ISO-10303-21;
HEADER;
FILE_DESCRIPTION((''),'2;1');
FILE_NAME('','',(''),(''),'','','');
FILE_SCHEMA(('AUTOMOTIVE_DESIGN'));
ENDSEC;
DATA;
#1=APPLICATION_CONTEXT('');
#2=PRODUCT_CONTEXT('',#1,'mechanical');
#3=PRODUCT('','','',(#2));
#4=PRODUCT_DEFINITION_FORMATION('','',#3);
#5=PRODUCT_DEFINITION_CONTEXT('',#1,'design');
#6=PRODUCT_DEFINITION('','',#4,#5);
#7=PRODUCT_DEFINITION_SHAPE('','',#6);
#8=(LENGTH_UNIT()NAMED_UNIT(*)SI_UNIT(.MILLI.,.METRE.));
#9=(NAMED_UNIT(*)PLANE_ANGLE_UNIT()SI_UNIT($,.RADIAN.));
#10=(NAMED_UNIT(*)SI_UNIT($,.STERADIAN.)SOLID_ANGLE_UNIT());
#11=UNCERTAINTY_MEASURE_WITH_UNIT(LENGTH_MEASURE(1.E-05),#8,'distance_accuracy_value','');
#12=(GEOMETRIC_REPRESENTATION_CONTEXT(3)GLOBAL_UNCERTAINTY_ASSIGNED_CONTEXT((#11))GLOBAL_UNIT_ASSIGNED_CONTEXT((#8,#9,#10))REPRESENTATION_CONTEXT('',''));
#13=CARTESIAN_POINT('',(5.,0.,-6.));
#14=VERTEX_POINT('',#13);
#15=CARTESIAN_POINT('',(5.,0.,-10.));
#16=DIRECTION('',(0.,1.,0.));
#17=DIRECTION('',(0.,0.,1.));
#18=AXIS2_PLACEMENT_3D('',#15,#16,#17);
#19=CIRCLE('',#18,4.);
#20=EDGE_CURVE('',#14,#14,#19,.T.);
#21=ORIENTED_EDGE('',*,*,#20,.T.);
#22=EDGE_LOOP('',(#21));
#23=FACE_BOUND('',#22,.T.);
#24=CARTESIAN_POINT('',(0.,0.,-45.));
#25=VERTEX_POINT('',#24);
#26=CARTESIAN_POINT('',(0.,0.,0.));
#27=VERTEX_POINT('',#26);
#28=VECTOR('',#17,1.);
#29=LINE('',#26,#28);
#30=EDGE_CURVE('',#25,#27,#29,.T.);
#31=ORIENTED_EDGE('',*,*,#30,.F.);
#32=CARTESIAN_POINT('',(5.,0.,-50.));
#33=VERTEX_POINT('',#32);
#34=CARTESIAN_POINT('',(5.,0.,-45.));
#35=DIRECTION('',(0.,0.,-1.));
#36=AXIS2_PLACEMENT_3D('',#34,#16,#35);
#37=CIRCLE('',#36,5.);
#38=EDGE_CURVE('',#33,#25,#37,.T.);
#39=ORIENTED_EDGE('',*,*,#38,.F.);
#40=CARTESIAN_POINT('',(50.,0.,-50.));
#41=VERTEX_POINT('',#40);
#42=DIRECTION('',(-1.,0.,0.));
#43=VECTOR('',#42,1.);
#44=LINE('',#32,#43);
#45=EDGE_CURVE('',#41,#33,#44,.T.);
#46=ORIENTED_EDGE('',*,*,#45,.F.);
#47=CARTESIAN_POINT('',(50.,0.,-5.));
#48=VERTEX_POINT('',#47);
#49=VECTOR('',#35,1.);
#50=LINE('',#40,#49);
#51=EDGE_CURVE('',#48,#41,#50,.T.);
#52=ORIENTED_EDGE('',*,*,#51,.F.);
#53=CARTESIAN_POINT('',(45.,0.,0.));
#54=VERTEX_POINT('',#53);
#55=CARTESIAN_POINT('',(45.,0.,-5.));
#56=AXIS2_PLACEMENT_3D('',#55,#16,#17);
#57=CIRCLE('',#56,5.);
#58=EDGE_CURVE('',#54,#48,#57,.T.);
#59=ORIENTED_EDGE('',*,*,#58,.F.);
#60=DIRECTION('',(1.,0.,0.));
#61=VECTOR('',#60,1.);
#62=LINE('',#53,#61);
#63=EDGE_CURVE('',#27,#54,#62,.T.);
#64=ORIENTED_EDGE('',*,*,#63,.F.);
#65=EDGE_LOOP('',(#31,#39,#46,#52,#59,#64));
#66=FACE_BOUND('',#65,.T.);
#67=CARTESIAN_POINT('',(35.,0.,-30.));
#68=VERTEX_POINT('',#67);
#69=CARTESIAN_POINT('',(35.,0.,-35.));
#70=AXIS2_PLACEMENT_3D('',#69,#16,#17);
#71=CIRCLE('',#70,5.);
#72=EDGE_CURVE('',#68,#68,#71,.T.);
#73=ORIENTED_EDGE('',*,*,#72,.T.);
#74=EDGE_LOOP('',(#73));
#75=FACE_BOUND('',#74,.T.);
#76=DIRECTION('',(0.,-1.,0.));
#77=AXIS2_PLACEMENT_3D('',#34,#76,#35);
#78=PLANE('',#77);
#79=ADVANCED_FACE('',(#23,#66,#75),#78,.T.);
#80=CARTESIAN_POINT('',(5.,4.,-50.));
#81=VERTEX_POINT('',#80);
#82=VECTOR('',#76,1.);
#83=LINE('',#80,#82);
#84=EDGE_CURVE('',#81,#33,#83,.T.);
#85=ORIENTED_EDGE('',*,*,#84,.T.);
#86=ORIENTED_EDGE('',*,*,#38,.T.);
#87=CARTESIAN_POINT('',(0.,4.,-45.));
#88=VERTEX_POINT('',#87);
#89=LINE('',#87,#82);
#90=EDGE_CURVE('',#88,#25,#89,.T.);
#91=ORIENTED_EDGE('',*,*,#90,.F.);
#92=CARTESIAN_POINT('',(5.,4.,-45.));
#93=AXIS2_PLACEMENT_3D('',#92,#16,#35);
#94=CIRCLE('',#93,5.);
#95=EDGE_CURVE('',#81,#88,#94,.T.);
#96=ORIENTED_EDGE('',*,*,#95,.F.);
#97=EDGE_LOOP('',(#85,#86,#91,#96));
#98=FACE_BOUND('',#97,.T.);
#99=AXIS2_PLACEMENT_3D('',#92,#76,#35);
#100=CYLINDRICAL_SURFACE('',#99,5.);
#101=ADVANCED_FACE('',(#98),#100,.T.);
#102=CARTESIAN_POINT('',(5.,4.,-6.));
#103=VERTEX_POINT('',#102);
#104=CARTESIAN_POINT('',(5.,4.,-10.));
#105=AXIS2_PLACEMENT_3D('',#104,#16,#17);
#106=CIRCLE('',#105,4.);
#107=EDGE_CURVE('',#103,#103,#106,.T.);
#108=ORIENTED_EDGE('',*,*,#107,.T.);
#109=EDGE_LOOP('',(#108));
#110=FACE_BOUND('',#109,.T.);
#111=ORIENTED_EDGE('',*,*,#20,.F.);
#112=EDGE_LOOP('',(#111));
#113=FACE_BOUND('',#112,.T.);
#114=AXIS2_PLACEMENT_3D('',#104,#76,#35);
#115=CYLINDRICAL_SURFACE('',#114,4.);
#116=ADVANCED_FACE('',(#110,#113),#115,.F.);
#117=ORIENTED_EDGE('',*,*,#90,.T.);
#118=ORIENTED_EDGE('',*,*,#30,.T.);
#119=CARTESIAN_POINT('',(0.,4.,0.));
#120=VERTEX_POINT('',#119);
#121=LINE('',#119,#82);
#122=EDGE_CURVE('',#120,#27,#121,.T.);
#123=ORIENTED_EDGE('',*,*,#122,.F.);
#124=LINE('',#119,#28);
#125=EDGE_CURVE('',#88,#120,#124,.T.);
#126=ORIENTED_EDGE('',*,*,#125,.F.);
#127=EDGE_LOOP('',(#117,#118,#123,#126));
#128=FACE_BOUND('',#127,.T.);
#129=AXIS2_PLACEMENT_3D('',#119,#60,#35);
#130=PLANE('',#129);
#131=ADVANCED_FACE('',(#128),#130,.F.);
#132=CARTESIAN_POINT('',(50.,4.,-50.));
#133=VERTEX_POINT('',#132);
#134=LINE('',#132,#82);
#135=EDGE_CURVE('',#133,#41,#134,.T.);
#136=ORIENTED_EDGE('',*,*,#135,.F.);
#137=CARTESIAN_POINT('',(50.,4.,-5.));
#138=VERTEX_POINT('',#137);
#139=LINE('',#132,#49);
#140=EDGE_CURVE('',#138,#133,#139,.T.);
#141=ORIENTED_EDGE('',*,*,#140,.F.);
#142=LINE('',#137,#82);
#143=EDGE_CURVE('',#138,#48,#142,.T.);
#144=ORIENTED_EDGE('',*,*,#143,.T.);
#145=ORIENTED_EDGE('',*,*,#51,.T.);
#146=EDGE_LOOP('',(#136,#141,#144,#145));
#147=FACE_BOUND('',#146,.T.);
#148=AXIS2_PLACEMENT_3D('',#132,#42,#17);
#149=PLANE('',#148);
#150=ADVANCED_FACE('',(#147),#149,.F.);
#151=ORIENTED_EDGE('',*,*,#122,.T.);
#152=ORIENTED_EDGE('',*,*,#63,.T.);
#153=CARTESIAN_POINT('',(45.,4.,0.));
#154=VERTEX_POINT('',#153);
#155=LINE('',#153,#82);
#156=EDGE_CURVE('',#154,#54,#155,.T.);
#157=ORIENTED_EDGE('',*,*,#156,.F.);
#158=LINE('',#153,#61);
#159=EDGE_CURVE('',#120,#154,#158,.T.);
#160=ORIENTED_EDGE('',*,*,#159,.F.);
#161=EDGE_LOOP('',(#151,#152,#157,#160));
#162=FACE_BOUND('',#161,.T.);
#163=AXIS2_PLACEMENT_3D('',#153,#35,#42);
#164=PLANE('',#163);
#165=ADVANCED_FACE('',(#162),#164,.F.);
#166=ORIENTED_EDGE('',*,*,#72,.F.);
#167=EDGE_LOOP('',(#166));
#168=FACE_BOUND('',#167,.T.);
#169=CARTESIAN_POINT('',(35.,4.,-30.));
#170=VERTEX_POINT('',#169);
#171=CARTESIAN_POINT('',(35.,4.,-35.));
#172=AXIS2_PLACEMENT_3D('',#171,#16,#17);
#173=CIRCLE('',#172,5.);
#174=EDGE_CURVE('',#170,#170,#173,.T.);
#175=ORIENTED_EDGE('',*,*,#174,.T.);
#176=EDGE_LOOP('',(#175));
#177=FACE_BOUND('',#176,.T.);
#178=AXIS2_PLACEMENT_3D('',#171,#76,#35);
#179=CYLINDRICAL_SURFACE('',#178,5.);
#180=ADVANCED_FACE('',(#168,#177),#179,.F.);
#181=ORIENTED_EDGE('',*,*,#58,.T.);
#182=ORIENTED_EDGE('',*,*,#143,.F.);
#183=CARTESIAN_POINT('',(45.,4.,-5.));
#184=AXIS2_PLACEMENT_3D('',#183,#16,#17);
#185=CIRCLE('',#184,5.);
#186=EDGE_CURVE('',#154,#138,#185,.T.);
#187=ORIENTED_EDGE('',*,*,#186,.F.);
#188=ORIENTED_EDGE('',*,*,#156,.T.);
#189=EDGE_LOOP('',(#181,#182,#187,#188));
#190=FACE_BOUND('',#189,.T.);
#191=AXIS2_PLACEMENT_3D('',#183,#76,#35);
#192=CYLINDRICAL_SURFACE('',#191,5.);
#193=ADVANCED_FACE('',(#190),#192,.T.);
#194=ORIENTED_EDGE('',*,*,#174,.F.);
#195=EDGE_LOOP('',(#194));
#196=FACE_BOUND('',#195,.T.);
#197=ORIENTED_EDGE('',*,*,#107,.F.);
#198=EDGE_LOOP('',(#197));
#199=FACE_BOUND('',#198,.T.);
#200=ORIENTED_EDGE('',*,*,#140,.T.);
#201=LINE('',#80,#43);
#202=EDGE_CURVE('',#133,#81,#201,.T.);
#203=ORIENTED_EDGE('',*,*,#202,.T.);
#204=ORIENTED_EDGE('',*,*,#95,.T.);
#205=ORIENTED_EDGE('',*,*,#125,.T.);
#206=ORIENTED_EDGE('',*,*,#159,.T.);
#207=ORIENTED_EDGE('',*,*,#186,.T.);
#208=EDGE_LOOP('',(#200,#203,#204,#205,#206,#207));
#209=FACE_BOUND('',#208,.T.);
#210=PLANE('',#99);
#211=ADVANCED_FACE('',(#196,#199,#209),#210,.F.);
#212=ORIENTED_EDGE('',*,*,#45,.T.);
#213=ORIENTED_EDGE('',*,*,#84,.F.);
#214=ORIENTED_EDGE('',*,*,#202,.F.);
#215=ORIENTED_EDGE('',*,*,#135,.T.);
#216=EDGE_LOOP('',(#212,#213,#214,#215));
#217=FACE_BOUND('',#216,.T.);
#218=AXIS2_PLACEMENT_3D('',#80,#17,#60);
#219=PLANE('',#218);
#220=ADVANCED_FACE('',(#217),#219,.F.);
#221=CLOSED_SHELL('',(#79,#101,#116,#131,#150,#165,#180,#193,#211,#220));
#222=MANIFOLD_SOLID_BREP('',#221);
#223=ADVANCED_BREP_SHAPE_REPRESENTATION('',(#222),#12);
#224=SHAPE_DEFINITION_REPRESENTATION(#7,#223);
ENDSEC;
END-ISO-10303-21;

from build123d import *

# Parameters (mm, degrees)
SKETCH1_R           = 4
SKETCH1_R_2         = 5
BOSS_EXTRUDE1_DEPTH = 4


with BuildPart() as part:
    # Sketch1 → Boss-Extrude1 (new body)
    with BuildSketch(Plane(origin=(0, 0, 0), x_dir=(1, 0, 0), z_dir=(0, 1, 0))):
        with BuildLine():
            Line((0, 0), (0, 45))
            ThreePointArc((0, 45), (1.464466094, 48.535533906), (5, 50))
            Line((5, 50), (50, 50))
            Line((50, 50), (50, 5))
            ThreePointArc((50, 5), (48.535533906, 1.464466094), (45, 0))
            Line((45, 0), (0, 0))
        make_face()
        with Locations(Location((5, 10, 0), (0, 0, 270))):
            Circle(SKETCH1_R, mode=Mode.SUBTRACT)
        with Locations(Location((35, 35, 0), (0, 0, 270))):
            Circle(SKETCH1_R_2, mode=Mode.SUBTRACT)
    extrude(amount=BOSS_EXTRUDE1_DEPTH)


solid = part.part
